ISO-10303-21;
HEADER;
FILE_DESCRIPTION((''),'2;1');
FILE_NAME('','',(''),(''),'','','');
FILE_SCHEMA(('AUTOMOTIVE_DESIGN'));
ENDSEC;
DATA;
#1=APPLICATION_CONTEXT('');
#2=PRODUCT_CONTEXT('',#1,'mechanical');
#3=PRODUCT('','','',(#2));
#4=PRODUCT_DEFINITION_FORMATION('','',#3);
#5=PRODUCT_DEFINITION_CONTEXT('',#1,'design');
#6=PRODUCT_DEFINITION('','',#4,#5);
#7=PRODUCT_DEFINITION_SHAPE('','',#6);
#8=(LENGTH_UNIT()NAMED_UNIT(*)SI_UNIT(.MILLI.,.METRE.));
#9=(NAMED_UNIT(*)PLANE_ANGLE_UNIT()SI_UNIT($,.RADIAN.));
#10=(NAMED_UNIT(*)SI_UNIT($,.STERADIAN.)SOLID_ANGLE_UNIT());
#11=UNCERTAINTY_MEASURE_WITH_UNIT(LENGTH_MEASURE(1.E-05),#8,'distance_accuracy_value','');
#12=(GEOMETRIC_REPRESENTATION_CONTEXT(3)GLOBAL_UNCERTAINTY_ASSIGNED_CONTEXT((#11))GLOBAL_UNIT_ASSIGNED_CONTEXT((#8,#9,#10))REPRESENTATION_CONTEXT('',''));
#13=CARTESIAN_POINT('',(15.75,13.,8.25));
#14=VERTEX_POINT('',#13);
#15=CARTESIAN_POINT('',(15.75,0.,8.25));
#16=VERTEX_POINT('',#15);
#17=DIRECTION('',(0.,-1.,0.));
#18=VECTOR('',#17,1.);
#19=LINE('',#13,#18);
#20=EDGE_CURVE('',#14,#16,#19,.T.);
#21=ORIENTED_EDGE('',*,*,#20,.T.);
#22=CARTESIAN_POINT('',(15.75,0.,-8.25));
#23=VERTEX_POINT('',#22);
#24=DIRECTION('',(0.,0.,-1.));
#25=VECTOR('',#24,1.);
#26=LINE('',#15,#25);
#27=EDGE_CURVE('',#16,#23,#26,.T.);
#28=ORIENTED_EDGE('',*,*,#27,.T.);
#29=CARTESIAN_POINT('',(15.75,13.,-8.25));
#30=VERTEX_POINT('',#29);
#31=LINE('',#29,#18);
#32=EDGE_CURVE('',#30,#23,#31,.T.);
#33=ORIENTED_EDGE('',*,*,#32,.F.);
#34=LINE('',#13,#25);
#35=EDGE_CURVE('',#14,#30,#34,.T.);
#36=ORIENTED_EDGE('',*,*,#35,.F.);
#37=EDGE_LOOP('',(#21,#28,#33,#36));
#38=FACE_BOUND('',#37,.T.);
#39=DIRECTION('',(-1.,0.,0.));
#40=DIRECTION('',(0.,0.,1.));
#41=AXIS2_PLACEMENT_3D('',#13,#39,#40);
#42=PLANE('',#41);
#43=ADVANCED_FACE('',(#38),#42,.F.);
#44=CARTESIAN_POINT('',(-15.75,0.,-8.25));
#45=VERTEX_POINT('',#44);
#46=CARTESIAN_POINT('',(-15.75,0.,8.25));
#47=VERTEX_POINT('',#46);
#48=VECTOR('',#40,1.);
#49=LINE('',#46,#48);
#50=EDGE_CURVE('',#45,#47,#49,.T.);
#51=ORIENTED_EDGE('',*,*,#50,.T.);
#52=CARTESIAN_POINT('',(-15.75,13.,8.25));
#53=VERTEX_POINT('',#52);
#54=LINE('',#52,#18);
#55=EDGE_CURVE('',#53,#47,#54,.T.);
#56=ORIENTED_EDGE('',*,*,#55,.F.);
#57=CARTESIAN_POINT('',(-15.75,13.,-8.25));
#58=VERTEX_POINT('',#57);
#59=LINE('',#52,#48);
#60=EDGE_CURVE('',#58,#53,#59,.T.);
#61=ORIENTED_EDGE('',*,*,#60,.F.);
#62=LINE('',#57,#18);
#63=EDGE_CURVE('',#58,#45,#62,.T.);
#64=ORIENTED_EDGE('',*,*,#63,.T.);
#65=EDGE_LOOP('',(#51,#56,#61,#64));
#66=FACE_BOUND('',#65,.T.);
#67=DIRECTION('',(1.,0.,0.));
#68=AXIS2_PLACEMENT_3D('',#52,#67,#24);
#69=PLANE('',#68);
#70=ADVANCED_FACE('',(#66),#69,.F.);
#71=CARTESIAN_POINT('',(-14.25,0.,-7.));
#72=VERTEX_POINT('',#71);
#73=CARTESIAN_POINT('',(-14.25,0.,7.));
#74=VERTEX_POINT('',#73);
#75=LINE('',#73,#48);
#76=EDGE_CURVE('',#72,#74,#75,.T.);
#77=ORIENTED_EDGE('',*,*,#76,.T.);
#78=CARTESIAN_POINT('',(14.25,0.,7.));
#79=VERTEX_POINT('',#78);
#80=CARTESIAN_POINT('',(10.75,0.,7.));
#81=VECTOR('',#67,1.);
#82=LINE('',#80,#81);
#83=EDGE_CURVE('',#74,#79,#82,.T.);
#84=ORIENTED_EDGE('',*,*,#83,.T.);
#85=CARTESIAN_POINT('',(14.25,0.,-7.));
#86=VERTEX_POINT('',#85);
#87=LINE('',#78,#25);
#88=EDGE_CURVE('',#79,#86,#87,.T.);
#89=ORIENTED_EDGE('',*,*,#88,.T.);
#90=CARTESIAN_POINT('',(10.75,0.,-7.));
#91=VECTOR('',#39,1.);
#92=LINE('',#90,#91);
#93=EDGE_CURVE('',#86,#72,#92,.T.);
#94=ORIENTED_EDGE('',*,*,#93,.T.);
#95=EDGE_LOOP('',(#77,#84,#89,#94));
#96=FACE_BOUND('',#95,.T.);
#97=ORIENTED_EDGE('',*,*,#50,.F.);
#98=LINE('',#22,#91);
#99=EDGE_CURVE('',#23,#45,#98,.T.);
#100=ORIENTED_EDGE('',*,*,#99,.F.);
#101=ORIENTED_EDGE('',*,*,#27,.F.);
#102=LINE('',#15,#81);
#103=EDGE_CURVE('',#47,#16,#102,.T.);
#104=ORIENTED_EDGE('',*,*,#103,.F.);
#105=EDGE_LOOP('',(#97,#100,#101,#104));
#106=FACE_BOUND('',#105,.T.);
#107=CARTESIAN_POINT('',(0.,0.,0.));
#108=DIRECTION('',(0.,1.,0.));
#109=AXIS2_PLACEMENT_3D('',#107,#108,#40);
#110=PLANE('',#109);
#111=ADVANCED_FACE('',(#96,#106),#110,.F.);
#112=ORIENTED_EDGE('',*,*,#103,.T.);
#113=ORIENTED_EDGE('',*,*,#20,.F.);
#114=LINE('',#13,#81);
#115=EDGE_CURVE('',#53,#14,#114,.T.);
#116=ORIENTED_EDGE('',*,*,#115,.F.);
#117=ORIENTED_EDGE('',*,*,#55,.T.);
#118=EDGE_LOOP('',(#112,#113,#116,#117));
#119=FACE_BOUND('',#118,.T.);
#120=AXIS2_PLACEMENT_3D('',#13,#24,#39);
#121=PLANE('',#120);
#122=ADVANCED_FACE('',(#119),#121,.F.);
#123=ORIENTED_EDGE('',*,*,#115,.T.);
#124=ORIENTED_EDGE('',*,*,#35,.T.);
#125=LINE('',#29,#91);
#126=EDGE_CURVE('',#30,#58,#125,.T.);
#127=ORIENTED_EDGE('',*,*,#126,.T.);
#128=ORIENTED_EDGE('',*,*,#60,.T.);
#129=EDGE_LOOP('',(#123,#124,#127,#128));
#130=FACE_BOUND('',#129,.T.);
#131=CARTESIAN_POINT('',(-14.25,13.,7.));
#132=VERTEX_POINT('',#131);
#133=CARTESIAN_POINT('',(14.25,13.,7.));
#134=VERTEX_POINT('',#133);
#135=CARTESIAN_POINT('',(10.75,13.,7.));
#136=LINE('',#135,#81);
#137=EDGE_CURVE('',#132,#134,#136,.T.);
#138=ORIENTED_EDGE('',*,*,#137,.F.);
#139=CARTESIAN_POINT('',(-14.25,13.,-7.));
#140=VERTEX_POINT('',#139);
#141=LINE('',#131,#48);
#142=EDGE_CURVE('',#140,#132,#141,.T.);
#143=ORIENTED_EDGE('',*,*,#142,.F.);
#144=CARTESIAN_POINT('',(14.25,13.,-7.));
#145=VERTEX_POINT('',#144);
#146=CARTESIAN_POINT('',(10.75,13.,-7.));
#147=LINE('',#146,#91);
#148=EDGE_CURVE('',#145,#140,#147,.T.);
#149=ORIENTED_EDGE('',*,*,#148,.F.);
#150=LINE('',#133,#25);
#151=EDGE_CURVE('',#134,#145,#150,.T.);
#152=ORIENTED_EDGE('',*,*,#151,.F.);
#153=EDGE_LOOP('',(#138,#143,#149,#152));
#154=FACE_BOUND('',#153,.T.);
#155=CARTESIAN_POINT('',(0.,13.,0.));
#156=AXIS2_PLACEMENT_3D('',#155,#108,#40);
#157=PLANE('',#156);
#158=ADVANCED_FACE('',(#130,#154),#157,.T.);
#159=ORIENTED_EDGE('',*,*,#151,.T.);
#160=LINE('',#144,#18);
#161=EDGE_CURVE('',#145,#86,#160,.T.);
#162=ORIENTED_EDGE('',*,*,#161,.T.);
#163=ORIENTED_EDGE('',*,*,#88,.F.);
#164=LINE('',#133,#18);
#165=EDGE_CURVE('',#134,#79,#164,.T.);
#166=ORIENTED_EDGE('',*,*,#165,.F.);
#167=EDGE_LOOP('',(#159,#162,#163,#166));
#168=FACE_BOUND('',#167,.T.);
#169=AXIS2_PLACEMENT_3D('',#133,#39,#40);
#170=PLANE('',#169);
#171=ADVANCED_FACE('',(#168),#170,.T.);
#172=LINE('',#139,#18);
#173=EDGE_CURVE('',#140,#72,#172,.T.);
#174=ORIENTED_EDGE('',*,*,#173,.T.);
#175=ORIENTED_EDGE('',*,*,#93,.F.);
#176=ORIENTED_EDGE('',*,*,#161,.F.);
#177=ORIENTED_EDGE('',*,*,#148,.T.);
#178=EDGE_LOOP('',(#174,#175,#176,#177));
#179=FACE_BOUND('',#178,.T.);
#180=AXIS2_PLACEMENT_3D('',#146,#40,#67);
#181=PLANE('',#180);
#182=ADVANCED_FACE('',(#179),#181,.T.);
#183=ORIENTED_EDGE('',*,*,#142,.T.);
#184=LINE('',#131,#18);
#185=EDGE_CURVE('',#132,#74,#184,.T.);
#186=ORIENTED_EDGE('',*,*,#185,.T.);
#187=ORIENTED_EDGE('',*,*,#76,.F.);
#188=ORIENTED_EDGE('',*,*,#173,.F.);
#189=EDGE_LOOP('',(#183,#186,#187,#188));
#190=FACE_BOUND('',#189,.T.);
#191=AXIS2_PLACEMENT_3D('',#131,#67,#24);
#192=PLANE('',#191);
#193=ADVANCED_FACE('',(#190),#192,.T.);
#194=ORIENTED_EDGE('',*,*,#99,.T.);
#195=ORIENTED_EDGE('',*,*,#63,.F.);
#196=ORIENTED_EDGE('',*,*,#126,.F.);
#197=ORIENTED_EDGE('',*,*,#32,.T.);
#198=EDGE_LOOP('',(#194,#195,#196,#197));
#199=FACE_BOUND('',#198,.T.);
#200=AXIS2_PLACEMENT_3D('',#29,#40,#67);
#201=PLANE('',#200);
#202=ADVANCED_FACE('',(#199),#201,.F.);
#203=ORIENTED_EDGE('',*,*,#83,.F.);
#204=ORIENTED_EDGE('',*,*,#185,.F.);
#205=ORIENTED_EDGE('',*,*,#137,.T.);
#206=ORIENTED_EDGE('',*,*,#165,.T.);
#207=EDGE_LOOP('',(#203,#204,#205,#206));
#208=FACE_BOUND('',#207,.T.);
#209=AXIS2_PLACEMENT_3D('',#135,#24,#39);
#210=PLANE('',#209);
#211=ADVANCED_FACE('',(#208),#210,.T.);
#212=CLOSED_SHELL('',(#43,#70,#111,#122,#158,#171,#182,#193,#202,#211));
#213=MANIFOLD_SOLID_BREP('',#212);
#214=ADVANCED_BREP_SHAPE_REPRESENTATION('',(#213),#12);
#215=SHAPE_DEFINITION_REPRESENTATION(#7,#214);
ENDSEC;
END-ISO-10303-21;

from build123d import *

# Parameters (mm, degrees)
SKETCH1_W           = 31.5
SKETCH1_H           = 16.5
BOSS_EXTRUDE1_DEPTH = 13
SKETCH2_W           = 21.5
SKETCH2_H           = 2
CUT_EXTRUDE1_DEPTH  = 14


with BuildPart() as part:
    # Sketch1 → Boss-Extrude1 (new body)
    with BuildSketch(Plane(origin=(0, 0, 0), x_dir=(1, 0, 0), z_dir=(0, 1, 0))):
        Rectangle(SKETCH1_W, SKETCH1_H)
        Polygon((10.75, 5), (-10.75, 5), (-10.75, 7), (-14.25, 7), (-14.25, -7), (-10.75, -7), (-10.75, -5), (10.75, -5), (10.75, -7), (14.25, -7), (14.25, 7), (10.75, 7), align=None, mode=Mode.SUBTRACT)
    extrude(amount=BOSS_EXTRUDE1_DEPTH)

    # Sketch2 → Cut-Extrude1 (cut, through all)
    with BuildSketch(Plane.XZ):
        with Locations((0, 6)):
            Rectangle(SKETCH2_W, SKETCH2_H)
        with Locations((0, -6)):
            Rectangle(SKETCH2_W, SKETCH2_H)
    extrude(amount=-CUT_EXTRUDE1_DEPTH, mode=Mode.SUBTRACT)


solid = part.part
